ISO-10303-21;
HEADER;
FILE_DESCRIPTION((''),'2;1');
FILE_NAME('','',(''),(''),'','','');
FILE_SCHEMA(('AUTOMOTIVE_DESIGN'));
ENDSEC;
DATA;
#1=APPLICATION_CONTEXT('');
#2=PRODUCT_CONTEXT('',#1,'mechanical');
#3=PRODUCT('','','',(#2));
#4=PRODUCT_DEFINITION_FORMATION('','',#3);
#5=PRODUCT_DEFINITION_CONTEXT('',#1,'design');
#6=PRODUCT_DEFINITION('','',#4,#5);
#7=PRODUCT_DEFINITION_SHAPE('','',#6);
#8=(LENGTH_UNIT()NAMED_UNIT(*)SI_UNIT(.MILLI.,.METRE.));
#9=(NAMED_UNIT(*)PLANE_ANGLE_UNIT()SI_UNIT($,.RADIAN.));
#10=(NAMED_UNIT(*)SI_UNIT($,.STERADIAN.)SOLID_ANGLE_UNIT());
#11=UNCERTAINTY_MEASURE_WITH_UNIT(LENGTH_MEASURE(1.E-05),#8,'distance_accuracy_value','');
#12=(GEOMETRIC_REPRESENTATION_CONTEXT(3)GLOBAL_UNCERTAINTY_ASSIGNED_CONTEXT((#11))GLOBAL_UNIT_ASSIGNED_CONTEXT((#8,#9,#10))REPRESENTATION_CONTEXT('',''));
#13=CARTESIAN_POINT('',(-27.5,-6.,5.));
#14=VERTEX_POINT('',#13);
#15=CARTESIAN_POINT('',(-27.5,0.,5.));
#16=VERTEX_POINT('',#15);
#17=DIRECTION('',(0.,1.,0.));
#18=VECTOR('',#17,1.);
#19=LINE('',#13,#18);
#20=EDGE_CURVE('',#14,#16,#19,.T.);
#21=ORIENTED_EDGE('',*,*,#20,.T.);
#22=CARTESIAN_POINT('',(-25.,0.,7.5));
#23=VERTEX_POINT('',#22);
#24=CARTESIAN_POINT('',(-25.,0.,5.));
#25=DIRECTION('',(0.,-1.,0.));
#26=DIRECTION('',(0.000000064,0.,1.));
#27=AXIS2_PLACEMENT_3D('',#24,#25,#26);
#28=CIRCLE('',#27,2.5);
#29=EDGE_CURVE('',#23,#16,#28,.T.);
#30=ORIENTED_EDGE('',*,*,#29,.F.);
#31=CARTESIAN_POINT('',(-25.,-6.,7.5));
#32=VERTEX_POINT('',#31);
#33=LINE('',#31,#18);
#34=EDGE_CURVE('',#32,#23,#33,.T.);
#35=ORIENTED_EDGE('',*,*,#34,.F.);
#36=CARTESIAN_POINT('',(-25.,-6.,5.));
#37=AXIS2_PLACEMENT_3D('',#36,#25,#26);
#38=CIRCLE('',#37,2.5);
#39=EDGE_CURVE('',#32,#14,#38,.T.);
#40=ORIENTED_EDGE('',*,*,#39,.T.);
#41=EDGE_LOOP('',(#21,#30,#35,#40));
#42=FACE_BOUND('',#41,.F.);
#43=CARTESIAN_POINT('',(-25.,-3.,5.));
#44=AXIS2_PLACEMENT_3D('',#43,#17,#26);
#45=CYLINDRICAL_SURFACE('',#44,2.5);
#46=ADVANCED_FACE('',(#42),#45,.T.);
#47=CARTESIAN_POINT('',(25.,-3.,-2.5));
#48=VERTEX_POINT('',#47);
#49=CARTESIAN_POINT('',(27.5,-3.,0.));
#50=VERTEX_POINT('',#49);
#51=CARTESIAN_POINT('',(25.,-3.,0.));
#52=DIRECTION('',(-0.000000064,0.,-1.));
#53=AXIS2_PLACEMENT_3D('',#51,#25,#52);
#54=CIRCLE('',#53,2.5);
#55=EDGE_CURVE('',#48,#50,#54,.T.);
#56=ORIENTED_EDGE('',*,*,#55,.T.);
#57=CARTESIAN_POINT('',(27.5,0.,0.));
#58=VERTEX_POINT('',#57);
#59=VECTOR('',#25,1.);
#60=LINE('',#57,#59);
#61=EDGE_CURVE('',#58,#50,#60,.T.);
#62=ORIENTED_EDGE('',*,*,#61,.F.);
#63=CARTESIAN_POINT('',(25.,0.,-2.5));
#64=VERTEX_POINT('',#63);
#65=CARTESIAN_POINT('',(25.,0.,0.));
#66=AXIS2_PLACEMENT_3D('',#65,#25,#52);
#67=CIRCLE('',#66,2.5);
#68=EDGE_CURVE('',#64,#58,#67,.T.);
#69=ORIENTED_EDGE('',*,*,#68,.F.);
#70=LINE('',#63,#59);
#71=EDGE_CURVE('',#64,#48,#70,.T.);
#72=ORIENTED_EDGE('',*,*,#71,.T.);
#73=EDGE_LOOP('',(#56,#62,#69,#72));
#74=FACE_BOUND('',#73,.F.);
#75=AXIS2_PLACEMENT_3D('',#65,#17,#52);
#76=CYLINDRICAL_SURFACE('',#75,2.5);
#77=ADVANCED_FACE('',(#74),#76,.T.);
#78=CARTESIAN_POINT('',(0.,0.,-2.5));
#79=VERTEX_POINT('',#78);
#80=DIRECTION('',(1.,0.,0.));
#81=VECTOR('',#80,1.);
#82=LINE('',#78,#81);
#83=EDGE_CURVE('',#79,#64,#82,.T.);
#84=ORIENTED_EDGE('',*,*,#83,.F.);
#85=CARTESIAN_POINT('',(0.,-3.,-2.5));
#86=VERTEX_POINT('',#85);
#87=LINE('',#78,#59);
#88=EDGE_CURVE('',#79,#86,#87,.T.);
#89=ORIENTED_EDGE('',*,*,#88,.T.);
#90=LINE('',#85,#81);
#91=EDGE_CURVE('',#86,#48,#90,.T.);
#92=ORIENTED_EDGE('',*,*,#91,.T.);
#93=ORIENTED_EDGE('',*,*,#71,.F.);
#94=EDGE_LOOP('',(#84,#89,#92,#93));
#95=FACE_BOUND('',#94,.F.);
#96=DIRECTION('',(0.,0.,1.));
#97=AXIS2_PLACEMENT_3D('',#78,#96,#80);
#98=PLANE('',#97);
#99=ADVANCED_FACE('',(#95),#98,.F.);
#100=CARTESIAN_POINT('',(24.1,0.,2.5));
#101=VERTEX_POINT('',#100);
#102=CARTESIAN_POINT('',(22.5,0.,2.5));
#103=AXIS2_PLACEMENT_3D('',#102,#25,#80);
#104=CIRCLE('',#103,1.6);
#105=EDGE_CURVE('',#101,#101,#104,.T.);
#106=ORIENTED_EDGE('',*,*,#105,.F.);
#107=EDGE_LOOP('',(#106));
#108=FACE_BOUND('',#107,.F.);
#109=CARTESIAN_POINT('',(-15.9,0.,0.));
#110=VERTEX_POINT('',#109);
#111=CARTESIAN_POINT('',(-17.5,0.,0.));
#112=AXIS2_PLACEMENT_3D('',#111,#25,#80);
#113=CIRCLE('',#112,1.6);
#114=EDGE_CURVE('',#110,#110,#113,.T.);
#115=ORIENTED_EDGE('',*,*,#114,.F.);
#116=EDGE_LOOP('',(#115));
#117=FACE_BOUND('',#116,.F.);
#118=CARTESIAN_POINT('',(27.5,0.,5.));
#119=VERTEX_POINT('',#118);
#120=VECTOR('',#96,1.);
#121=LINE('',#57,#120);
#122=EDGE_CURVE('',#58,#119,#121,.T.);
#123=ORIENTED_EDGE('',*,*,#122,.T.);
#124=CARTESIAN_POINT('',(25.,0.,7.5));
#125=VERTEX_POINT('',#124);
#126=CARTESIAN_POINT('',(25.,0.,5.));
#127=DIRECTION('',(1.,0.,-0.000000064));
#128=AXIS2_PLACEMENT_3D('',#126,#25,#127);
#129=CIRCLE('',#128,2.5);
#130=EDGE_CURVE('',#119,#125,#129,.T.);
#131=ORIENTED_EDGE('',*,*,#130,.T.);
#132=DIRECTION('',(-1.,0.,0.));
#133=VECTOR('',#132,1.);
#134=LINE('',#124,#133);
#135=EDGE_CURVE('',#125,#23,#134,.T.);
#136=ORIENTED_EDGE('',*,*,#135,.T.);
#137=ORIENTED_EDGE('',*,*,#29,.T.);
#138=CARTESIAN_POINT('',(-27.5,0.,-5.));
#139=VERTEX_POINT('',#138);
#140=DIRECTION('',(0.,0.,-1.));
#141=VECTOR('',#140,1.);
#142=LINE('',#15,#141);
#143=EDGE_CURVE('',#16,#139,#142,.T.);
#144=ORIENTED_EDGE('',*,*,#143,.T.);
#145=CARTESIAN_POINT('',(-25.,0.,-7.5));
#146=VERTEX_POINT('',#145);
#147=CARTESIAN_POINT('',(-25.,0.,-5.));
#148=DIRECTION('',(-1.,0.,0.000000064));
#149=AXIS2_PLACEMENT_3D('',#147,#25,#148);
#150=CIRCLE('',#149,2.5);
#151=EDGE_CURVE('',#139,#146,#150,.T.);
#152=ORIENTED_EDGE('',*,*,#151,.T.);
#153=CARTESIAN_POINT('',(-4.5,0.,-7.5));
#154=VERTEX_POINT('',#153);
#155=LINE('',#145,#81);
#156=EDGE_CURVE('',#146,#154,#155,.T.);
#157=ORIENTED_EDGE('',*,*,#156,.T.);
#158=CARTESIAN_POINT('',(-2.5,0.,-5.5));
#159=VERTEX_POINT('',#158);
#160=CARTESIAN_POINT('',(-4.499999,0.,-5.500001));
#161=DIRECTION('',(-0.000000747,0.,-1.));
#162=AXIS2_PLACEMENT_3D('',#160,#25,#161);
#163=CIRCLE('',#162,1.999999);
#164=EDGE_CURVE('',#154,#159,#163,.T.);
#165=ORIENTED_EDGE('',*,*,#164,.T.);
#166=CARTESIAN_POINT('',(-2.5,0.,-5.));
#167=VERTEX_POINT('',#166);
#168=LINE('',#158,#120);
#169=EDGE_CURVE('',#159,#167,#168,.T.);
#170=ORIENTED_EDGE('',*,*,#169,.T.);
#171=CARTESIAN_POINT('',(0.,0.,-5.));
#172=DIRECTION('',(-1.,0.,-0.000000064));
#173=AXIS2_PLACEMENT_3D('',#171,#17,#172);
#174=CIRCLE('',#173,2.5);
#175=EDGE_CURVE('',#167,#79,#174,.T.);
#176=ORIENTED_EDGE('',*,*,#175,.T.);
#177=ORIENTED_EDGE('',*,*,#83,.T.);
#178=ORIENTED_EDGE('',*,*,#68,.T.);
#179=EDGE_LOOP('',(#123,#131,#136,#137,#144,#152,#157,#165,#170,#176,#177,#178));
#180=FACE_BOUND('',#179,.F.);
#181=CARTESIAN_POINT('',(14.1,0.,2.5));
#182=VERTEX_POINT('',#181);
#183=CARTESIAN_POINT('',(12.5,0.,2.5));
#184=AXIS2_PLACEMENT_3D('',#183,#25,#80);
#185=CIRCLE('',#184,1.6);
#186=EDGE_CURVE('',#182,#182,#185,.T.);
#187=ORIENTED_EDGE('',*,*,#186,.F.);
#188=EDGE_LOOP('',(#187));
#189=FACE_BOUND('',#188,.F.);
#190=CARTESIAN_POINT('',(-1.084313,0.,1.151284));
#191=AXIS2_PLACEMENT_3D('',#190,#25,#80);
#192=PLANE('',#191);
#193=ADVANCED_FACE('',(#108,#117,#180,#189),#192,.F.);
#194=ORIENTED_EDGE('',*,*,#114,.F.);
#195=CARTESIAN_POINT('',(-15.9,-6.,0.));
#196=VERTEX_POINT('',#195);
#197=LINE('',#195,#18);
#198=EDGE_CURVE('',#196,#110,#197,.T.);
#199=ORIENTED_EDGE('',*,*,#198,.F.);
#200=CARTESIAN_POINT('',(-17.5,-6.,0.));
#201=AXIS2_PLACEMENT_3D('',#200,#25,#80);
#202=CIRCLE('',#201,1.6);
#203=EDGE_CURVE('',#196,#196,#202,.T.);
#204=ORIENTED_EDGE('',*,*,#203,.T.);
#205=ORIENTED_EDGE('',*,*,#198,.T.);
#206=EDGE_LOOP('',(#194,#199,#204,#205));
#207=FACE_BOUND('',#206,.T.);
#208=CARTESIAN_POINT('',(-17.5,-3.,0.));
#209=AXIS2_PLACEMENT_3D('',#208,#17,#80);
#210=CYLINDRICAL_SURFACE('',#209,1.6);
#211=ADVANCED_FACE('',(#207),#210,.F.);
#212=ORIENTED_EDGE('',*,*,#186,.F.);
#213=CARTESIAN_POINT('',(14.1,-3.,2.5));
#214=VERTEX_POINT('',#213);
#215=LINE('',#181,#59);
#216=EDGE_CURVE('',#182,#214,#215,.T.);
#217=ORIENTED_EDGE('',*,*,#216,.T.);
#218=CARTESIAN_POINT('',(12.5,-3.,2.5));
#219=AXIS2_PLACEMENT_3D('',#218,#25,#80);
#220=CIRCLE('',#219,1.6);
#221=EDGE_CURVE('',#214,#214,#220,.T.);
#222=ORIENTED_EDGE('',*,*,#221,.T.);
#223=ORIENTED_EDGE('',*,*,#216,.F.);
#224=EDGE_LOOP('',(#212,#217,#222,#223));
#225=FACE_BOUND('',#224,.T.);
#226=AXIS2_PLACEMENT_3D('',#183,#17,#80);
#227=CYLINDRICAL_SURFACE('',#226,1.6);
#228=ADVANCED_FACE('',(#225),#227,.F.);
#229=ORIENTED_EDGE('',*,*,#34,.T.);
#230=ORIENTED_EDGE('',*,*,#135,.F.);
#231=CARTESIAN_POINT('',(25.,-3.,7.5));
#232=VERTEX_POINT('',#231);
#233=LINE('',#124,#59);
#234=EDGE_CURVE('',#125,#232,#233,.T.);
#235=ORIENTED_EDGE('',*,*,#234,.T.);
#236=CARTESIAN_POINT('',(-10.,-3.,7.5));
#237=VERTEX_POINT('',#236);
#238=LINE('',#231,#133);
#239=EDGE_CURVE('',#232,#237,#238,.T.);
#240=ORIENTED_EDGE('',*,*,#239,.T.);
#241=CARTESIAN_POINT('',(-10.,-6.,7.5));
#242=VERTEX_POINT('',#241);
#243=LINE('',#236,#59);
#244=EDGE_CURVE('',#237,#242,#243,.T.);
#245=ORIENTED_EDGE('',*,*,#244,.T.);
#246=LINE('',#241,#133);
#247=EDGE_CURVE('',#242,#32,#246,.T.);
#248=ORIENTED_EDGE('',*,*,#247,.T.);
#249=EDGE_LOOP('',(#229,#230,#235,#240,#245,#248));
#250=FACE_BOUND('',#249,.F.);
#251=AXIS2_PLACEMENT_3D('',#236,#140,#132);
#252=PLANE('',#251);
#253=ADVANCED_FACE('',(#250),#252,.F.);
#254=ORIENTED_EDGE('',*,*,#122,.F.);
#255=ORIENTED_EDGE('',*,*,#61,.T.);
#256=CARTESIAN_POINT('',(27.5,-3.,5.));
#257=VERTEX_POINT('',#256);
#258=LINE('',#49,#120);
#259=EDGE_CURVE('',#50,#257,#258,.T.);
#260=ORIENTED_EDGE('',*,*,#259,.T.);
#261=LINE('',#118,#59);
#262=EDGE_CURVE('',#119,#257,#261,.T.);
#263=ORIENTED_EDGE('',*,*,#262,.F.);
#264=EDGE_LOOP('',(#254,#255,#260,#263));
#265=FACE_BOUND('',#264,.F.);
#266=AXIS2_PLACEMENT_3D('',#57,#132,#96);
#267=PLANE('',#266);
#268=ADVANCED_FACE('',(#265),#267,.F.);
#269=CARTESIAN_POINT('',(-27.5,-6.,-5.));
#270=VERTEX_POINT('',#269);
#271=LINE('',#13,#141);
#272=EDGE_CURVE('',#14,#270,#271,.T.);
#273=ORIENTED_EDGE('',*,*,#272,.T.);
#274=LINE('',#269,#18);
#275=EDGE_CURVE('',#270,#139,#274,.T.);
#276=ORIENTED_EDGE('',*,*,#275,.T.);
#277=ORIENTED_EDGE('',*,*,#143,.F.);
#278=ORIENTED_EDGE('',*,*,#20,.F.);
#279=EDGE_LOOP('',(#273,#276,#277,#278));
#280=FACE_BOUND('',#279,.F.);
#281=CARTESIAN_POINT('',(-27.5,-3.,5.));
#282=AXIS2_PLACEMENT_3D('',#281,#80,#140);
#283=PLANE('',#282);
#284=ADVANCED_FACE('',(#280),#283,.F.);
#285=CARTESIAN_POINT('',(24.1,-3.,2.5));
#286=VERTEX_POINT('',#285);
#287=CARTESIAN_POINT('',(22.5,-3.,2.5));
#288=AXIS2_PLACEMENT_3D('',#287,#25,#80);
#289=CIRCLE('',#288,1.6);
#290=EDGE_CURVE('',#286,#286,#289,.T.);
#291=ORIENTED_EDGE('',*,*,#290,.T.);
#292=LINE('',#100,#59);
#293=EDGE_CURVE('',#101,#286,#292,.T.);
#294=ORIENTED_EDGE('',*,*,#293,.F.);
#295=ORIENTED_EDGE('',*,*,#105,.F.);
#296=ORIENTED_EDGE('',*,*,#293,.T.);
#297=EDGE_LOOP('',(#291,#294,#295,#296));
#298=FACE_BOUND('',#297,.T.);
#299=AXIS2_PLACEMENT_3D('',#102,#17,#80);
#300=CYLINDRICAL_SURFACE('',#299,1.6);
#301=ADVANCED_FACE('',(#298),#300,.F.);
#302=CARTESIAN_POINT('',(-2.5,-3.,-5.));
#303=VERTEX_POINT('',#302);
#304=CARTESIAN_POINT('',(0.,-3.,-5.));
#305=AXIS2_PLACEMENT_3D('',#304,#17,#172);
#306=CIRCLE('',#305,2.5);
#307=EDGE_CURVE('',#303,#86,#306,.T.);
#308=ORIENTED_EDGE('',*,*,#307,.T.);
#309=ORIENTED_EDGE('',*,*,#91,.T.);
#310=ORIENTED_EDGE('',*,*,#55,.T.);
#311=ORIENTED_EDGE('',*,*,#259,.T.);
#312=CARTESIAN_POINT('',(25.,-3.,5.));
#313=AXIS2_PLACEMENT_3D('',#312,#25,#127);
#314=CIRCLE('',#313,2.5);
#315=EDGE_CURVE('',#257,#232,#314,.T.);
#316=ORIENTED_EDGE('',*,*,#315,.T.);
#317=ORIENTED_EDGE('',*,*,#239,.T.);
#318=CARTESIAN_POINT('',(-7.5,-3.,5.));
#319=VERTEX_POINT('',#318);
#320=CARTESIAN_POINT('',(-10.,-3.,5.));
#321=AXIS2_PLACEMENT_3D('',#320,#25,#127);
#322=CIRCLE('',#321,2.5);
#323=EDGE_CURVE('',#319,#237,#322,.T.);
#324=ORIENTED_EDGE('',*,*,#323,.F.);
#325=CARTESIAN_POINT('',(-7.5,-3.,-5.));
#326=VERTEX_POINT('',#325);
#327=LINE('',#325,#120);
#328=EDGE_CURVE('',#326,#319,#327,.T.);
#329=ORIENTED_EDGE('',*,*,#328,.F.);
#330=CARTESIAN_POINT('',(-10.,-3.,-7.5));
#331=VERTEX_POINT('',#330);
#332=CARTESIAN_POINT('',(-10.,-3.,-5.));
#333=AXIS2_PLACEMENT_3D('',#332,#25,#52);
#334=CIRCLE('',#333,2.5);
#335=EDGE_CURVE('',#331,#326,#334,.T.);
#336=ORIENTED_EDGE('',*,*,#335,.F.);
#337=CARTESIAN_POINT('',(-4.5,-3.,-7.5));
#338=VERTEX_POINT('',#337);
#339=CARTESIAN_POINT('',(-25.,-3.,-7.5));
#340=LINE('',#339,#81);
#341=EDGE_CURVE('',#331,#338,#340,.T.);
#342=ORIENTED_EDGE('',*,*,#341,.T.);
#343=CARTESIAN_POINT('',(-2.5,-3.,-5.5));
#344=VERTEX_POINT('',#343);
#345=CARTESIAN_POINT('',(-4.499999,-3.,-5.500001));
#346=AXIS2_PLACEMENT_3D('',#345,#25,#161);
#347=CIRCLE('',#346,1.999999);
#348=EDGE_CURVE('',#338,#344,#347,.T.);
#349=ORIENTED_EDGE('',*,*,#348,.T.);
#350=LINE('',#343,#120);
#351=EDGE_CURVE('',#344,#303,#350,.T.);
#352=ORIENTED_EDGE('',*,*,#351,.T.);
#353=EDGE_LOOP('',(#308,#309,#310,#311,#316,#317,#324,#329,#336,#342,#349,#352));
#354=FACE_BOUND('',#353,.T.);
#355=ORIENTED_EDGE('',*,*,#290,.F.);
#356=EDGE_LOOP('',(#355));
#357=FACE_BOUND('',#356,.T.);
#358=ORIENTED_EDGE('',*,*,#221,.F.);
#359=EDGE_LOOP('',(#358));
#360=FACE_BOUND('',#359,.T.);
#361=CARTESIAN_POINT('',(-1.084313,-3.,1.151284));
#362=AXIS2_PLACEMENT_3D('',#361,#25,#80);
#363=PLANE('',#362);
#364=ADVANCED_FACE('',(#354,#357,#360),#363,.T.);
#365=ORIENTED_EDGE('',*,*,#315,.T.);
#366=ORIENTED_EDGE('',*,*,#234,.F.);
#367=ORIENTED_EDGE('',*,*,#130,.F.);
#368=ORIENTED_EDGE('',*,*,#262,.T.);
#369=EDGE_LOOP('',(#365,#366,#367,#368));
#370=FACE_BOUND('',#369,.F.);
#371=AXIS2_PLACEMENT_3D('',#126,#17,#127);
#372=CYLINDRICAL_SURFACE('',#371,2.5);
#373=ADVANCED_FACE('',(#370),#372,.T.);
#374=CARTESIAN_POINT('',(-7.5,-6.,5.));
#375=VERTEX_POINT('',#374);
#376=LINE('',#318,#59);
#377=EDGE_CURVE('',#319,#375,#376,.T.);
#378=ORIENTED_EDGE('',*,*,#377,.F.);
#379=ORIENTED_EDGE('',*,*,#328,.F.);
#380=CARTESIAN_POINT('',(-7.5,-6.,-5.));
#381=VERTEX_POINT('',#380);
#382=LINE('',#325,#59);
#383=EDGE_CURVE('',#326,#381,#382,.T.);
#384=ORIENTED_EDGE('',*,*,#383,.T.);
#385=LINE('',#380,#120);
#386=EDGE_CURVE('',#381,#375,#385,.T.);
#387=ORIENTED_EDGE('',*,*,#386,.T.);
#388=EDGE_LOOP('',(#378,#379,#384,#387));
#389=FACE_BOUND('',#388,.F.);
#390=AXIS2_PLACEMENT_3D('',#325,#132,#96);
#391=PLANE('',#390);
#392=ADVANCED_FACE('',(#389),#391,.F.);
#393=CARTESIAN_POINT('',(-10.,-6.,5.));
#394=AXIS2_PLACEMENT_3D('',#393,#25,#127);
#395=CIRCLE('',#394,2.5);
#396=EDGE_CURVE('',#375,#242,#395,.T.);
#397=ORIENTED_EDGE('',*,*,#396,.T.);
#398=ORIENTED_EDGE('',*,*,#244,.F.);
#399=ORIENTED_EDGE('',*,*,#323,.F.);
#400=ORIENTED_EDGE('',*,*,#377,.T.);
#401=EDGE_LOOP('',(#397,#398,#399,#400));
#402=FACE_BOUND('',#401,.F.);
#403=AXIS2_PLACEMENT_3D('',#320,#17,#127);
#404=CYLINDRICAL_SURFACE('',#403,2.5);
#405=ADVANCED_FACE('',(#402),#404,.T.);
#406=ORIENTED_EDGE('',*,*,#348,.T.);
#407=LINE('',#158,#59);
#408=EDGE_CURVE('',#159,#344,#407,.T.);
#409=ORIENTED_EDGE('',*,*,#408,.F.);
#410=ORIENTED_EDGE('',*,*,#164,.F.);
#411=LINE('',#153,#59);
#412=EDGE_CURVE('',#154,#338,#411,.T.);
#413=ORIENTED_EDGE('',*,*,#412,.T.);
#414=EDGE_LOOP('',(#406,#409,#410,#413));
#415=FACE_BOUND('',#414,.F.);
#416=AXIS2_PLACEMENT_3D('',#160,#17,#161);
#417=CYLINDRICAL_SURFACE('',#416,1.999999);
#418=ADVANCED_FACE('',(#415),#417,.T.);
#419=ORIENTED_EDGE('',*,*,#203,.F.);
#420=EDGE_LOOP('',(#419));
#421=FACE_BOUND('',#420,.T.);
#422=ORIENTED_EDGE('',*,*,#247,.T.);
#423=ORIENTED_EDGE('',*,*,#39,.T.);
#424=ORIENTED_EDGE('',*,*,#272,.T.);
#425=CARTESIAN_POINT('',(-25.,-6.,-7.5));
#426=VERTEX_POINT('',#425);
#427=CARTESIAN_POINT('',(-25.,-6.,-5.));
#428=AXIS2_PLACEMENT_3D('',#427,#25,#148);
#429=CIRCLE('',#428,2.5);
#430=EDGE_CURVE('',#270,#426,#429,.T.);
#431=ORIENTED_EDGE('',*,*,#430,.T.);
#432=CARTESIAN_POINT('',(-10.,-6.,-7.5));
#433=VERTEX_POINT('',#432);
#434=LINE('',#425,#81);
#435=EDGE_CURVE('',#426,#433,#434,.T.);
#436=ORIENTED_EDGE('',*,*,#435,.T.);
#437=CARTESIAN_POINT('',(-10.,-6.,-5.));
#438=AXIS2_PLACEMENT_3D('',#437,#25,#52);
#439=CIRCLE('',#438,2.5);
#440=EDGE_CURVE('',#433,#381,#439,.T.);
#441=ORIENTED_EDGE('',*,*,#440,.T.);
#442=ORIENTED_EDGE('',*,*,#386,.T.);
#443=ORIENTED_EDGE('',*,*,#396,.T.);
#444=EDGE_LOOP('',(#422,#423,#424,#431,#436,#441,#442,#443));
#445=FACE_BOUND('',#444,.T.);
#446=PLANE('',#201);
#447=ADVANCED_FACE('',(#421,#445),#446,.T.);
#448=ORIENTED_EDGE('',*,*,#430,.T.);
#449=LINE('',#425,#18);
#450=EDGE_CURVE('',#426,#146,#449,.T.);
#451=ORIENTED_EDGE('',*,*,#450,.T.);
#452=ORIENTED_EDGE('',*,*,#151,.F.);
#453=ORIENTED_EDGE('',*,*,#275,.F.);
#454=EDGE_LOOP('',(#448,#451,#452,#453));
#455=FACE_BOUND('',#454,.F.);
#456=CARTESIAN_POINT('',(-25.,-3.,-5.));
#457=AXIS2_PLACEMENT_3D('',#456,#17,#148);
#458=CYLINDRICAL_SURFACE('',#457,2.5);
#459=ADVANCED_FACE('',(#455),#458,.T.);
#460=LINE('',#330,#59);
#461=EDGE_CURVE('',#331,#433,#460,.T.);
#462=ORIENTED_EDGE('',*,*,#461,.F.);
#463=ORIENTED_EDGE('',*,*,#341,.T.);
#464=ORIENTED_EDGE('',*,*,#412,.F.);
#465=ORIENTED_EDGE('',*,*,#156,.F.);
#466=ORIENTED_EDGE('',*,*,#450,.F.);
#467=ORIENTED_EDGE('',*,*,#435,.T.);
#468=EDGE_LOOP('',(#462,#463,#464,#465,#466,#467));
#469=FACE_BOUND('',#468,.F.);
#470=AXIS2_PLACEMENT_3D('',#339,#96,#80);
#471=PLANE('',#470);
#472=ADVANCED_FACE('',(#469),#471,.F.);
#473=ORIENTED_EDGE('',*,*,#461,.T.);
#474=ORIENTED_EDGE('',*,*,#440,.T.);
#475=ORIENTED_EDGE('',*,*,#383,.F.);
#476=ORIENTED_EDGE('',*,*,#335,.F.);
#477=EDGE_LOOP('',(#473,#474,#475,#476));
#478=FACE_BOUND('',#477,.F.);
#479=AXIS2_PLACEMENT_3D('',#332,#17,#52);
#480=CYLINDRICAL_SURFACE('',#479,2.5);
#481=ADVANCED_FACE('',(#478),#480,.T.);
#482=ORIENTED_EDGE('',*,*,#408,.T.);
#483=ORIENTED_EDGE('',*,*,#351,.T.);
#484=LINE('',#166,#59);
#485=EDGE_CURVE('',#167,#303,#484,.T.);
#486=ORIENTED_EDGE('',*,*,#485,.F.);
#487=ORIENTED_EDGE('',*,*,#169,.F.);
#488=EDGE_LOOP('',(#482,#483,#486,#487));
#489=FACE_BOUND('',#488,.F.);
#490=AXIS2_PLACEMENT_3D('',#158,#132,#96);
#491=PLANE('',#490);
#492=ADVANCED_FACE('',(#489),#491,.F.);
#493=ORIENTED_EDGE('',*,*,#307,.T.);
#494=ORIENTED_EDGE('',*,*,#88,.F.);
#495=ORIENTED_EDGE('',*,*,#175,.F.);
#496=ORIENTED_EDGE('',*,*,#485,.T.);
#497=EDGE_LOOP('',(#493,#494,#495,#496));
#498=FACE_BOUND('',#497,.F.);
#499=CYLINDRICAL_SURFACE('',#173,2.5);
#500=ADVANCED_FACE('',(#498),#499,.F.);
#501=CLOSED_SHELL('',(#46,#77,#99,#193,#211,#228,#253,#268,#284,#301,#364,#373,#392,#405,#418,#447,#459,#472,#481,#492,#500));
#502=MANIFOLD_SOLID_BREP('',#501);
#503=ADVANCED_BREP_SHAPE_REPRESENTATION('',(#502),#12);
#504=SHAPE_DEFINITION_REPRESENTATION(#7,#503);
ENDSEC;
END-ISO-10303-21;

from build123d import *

# Parameters (mm, degrees)
F0_R     = 1.6
F1_DEPTH = 3
F2_R     = 1.6
F3_DEPTH = 3


with BuildPart() as f1:
    # F0 (on Front) → F1 (new body)
    with BuildSketch(Plane.XZ):
        with BuildLine():
            Line((-25, -7.5), (-4.5, -7.5))
            ThreePointArc((-4.5, -7.5), (-3.085786, -6.914214), (-2.5, -5.5))
            Line((-2.5, -5.5), (-2.5, -5))
            ThreePointArc((-2.5, -5), (-1.767767, -3.232233), (0, -2.5))
            Line((0, -2.5), (25, -2.5))
            ThreePointArc((25, -2.5), (26.767767, -1.767767), (27.5, 0))
            Line((27.5, 0), (27.5, 5))
            ThreePointArc((27.5, 5), (26.767767, 6.767767), (25, 7.5))
            Line((25, 7.5), (-25, 7.5))
            ThreePointArc((-25, 7.5), (-26.767767, 6.767767), (-27.5, 5))
            Line((-27.5, 5), (-27.5, -5))
            ThreePointArc((-27.5, -5), (-26.767767, -6.767767), (-25, -7.5))
        make_face()
        with Locations((-17.5, 0)):
            Circle(F0_R, mode=Mode.SUBTRACT)
        with Locations((12.5, 2.5)):
            Circle(F0_R, mode=Mode.SUBTRACT)
        with Locations((22.5, 2.5)):
            Circle(F0_R, mode=Mode.SUBTRACT)
    extrude(amount=F1_DEPTH)

    # F2 (on face) → F3 (join)
    with BuildSketch(Plane.XZ.offset(3)):
        with BuildLine():
            Line((-25, -7.5), (-10, -7.5))
            ThreePointArc((-10, -7.5), (-8.232233, -6.767767), (-7.5, -5))
            Line((-7.5, -5), (-7.5, 5))
            ThreePointArc((-7.5, 5), (-8.232233, 6.767767), (-10, 7.5))
            Line((-10, 7.5), (-25, 7.5))
            ThreePointArc((-25, 7.5), (-26.767767, 6.767767), (-27.5, 5))
            Line((-27.5, 5), (-27.5, -5))
            ThreePointArc((-27.5, -5), (-26.767767, -6.767767), (-25, -7.5))
        make_face()
        with Locations((-17.5, 0)):
            Circle(F2_R, mode=Mode.SUBTRACT)
    extrude(amount=F3_DEPTH)


solid = f1.part
